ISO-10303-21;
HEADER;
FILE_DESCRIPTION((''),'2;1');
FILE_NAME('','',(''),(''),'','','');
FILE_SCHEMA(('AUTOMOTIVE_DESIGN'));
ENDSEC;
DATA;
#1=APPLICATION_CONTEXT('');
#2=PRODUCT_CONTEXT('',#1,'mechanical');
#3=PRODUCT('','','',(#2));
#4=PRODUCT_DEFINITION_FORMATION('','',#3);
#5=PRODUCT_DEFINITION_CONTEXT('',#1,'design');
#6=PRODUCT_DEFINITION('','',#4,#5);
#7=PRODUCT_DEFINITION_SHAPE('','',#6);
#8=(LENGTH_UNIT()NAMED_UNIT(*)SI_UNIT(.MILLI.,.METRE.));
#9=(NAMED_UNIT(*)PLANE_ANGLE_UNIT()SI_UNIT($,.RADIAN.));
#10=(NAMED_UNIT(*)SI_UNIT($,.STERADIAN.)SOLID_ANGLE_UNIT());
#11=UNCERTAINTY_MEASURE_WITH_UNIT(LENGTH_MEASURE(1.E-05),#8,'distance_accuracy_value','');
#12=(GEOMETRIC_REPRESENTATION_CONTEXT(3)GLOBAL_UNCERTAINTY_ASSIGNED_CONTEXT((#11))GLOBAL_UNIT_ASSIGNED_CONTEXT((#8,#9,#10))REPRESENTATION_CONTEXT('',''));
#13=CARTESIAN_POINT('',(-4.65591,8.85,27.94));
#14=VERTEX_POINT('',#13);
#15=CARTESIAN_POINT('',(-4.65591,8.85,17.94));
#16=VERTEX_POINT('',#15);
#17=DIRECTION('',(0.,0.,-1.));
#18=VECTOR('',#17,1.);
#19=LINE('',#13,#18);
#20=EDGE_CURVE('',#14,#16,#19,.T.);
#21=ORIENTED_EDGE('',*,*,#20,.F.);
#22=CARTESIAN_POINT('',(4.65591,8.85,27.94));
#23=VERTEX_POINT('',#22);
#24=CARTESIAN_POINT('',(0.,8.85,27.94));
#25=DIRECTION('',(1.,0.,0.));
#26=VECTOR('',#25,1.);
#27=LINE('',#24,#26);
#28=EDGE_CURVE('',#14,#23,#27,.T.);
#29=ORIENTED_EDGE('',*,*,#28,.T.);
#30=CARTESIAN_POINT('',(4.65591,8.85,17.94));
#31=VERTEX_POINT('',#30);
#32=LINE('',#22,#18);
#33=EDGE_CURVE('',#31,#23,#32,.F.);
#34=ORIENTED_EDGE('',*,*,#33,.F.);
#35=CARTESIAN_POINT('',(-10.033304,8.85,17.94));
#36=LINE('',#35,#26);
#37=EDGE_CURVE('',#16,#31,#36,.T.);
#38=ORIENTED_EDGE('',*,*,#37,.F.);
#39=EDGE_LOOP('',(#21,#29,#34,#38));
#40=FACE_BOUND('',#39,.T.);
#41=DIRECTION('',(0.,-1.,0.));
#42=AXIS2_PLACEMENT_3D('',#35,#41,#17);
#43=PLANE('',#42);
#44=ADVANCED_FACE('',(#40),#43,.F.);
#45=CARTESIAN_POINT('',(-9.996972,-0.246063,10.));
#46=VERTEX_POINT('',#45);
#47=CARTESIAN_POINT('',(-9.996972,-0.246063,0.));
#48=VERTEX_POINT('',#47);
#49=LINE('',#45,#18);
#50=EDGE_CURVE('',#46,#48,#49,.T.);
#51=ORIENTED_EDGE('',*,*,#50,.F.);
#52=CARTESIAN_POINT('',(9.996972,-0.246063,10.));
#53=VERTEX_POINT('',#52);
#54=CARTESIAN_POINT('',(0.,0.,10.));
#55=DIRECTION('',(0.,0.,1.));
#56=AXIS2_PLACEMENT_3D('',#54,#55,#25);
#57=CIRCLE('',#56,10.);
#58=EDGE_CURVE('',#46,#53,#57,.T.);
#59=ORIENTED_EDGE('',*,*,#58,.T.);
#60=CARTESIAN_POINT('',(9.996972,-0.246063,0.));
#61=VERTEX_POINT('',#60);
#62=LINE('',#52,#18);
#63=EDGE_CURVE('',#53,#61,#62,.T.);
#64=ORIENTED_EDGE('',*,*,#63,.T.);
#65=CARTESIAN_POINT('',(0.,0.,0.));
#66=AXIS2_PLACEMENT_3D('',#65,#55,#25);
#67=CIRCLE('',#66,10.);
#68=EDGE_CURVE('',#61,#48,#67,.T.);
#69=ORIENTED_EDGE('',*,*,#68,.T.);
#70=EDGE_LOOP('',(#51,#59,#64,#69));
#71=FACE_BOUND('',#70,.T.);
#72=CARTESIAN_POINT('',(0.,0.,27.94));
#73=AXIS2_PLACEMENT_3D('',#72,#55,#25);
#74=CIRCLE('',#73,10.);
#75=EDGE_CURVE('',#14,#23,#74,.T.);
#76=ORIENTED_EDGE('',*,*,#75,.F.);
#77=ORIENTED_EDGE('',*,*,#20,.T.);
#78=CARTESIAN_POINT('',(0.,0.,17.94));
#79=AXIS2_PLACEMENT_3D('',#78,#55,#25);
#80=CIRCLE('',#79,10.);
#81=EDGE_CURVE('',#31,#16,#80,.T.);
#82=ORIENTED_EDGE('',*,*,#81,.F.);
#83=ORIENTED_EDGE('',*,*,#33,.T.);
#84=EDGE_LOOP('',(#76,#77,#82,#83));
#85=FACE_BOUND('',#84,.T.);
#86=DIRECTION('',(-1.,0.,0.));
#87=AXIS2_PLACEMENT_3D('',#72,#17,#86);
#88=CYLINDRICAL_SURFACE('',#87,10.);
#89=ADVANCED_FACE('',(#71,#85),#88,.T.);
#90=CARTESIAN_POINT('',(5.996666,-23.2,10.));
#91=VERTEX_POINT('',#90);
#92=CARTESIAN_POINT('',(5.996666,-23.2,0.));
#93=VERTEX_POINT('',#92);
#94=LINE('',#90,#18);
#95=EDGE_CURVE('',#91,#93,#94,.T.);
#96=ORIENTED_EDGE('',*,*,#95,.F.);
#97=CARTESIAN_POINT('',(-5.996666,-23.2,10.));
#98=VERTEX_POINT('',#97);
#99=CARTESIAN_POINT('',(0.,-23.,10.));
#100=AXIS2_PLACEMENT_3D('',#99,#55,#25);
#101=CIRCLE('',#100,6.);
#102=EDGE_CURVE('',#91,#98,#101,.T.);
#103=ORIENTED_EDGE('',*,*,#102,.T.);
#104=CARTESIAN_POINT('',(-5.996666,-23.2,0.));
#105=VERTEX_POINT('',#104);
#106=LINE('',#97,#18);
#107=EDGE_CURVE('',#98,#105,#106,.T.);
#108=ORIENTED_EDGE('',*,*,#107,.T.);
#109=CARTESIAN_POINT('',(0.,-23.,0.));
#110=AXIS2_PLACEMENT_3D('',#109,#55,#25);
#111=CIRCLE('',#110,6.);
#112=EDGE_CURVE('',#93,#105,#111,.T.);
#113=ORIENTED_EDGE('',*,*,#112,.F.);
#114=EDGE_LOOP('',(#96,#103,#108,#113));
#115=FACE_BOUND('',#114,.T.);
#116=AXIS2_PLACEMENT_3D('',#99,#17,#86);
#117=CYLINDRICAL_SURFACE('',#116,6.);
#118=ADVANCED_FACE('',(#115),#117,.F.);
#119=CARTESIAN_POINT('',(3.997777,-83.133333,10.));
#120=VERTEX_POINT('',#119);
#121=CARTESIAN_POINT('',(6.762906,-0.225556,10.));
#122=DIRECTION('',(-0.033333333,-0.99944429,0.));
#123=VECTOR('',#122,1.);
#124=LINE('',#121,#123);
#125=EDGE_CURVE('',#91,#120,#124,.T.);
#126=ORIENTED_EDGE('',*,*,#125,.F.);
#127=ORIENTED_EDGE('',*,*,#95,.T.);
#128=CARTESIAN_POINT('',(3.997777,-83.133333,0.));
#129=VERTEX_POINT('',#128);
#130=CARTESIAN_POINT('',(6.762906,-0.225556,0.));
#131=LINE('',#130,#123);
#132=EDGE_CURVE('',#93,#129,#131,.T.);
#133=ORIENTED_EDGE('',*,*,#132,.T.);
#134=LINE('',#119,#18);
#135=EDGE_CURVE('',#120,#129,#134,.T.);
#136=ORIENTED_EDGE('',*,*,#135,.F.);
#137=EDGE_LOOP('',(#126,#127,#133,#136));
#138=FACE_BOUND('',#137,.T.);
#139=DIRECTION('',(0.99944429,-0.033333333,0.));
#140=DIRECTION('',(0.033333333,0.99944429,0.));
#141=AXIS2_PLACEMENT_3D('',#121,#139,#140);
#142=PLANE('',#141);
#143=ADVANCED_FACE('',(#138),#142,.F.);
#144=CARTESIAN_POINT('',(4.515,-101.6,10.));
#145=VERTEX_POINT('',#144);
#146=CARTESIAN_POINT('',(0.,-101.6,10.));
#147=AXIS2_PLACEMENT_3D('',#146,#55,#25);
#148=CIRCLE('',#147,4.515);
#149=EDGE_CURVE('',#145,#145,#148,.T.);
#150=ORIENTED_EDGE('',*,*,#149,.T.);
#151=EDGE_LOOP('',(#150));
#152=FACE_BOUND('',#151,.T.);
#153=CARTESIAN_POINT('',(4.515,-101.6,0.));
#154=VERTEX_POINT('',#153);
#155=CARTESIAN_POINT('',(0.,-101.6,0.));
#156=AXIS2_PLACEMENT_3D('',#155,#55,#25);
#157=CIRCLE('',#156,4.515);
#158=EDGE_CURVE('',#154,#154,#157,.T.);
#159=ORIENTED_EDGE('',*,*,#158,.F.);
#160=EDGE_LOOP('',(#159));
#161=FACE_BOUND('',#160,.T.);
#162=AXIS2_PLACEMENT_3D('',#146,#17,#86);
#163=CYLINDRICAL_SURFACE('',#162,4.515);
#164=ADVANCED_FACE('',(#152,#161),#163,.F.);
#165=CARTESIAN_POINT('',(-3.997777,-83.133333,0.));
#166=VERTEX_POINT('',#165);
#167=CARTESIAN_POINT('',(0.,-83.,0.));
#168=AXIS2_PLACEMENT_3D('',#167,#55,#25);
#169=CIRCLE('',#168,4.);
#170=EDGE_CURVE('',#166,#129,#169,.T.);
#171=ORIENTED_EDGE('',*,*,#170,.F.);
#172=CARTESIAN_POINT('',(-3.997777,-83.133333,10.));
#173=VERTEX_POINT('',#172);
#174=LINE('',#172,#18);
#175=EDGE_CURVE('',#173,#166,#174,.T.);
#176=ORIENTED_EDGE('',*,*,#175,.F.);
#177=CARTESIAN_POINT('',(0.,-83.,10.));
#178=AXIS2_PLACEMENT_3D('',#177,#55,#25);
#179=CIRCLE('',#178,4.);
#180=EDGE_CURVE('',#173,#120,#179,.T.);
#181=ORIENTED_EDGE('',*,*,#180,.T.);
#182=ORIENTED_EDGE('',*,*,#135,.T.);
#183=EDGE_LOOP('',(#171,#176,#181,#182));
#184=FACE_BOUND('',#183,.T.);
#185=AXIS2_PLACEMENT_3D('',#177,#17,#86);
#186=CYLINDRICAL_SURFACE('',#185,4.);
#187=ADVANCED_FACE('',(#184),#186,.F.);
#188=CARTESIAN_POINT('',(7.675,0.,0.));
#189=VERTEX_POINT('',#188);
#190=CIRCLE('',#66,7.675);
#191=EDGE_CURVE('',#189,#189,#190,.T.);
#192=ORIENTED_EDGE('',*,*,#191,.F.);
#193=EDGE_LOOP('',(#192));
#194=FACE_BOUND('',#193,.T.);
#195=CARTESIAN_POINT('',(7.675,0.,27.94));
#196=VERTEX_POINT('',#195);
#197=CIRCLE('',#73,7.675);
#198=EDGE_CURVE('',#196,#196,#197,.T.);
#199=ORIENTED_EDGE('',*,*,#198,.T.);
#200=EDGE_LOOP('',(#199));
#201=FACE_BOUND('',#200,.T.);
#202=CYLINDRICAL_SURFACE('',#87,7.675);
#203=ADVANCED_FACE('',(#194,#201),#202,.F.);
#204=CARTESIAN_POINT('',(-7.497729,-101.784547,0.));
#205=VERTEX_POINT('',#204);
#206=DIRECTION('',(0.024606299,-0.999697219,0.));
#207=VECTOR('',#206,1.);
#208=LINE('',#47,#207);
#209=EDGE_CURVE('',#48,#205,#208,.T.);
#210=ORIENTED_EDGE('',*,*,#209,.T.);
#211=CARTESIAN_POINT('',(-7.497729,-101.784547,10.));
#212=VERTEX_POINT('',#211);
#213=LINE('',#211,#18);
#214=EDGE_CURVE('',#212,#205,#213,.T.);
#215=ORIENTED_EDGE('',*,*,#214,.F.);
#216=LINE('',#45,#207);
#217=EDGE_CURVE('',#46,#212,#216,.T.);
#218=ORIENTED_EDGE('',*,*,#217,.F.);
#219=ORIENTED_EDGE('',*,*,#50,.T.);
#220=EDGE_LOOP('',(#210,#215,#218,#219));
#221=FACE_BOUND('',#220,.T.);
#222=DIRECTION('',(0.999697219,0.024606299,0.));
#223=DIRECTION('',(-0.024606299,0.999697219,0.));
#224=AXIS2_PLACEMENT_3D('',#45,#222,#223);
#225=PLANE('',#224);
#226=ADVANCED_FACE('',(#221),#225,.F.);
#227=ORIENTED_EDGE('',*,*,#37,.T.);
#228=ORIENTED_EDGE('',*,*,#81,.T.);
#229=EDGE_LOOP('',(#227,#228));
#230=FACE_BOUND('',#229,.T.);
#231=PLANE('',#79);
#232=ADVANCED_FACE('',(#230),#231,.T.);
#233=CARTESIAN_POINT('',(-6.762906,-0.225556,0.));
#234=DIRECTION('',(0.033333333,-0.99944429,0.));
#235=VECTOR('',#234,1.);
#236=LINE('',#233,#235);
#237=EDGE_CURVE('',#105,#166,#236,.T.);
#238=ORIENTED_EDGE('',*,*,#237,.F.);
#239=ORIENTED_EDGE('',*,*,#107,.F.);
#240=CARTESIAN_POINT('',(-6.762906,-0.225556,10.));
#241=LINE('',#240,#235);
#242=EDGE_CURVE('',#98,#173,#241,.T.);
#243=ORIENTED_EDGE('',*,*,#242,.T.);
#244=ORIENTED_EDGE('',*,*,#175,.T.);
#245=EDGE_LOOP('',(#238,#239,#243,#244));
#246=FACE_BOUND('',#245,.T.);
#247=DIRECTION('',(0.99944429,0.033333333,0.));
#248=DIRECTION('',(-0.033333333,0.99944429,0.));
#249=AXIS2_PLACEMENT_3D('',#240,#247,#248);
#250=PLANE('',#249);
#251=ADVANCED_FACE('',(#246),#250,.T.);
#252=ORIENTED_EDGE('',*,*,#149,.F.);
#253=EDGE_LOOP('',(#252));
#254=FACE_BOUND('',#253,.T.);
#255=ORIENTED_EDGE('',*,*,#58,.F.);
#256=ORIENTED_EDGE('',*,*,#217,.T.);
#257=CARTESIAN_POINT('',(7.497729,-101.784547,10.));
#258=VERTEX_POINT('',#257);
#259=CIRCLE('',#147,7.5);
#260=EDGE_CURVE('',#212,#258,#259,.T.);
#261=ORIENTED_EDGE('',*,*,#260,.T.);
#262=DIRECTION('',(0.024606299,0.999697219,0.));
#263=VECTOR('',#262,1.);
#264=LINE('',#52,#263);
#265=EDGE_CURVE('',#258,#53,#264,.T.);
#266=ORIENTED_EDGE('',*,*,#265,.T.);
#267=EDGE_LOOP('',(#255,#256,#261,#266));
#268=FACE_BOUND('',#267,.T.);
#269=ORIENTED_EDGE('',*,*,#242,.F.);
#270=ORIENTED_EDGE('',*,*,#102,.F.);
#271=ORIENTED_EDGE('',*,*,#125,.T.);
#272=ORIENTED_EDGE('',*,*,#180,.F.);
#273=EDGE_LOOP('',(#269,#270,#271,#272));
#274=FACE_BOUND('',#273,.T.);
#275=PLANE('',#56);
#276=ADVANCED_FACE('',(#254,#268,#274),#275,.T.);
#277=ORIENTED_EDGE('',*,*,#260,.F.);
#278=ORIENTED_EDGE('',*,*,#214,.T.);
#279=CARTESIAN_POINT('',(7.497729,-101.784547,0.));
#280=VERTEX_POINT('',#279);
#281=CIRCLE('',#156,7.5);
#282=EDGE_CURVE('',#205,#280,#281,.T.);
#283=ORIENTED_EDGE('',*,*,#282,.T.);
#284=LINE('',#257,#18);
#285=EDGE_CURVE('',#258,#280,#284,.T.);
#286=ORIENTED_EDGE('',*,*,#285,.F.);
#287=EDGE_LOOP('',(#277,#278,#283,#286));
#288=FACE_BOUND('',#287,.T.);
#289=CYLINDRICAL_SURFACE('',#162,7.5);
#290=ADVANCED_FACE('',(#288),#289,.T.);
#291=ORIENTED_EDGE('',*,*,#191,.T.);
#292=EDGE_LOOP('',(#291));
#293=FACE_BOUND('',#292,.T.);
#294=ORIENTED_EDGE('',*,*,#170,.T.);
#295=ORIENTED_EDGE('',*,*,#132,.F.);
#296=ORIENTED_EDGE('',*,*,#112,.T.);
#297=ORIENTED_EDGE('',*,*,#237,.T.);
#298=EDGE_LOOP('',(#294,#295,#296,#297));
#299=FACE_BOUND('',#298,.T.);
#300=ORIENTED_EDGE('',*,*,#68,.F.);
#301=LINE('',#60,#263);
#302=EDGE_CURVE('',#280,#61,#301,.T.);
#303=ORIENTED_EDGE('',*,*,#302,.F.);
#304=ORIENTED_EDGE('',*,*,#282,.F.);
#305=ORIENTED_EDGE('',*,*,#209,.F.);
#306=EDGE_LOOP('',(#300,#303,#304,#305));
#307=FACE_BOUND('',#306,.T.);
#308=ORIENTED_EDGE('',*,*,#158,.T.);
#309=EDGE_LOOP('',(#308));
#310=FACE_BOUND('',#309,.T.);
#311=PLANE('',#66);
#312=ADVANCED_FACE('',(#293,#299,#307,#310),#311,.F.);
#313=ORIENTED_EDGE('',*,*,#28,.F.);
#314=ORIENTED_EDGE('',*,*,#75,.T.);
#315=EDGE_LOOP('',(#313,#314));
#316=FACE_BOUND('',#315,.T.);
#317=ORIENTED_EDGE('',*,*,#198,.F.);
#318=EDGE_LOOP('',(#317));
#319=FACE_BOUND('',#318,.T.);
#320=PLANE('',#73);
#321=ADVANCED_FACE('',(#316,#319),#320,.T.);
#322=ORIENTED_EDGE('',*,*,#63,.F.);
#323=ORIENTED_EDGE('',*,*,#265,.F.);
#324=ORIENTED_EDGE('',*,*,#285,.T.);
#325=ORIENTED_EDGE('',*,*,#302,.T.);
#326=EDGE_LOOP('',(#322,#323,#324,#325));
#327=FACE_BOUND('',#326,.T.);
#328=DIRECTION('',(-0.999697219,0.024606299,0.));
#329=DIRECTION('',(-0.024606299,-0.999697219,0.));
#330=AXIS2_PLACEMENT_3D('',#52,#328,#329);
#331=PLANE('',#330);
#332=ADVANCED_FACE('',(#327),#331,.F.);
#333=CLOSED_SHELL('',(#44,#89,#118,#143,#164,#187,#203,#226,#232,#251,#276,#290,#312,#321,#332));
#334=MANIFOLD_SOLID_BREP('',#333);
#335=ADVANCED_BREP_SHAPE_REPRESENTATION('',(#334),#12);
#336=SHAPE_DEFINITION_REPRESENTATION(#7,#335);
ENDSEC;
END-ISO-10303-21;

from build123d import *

# Parameters (mm, degrees)
SKETCH1_R           = 4.515
BOSS_EXTRUDE2_DEPTH = 10
SKETCH1_6_R         = 7.675
BOSS_EXTRUDE3_DEPTH = 27.94
SKETCH2_W           = 20.025396677
SKETCH2_H           = 9.808205023
CUT_EXTRUDE1_DEPTH  = 10


with BuildPart() as part:
    # Sketch1 → Boss-Extrude2 (new body)
    with BuildSketch(Plane.XY):
        with BuildLine():
            ThreePointArc((9.996972197, -0.246062766), (5.5e-08, -10), (-9.996972195, -0.246062876))
            Line((-9.996972195, -0.246062876), (-7.497729139, -101.784547426))
            ThreePointArc((-7.497729139, -101.784547426), (1.58e-07, -109.1), (7.497729147, -101.784547111))
            Line((7.497729147, -101.784547111), (9.996972197, -0.246062766))
        make_face()
        with BuildLine():
            Line((5.996665744, -23.199999888), (3.997777167, -83.133333141))
            ThreePointArc((3.997777167, -83.133333141), (1.93e-07, -87), (-3.997777154, -83.133333527))
            Line((-3.997777154, -83.133333527), (-5.996665745, -23.199999845))
            ThreePointArc((-5.996665745, -23.199999845), (2.1e-08, -17), (5.996665744, -23.199999888))
        make_face(mode=Mode.SUBTRACT)
        with Locations((0, -101.6)):
            Circle(SKETCH1_R, mode=Mode.SUBTRACT)
    extrude(amount=BOSS_EXTRUDE2_DEPTH)

    # Sketch1<6> → Boss-Extrude3 (add)
    with BuildSketch(Plane.XY):
        with BuildLine():
            ThreePointArc((10, 0), (-0.123040752, 9.99924302), (-9.996972195, -0.246062876))
            ThreePointArc((-9.996972195, -0.246062876), (5.5e-08, -10), (9.996972197, -0.246062766))
            ThreePointArc((9.996972197, -0.246062766), (9.999243021, -0.123040697), (10, 0))
        make_face()
        Circle(SKETCH1_6_R, mode=Mode.SUBTRACT)
    extrude(amount=BOSS_EXTRUDE3_DEPTH)

    # Sketch2 → Cut-Extrude1 (cut)
    with BuildSketch(Plane.XY.offset(27.94)):
        with Locations((-0.020605473, 13.754102512)):
            Rectangle(SKETCH2_W, SKETCH2_H)
    extrude(amount=-CUT_EXTRUDE1_DEPTH, mode=Mode.SUBTRACT)


solid = part.part
